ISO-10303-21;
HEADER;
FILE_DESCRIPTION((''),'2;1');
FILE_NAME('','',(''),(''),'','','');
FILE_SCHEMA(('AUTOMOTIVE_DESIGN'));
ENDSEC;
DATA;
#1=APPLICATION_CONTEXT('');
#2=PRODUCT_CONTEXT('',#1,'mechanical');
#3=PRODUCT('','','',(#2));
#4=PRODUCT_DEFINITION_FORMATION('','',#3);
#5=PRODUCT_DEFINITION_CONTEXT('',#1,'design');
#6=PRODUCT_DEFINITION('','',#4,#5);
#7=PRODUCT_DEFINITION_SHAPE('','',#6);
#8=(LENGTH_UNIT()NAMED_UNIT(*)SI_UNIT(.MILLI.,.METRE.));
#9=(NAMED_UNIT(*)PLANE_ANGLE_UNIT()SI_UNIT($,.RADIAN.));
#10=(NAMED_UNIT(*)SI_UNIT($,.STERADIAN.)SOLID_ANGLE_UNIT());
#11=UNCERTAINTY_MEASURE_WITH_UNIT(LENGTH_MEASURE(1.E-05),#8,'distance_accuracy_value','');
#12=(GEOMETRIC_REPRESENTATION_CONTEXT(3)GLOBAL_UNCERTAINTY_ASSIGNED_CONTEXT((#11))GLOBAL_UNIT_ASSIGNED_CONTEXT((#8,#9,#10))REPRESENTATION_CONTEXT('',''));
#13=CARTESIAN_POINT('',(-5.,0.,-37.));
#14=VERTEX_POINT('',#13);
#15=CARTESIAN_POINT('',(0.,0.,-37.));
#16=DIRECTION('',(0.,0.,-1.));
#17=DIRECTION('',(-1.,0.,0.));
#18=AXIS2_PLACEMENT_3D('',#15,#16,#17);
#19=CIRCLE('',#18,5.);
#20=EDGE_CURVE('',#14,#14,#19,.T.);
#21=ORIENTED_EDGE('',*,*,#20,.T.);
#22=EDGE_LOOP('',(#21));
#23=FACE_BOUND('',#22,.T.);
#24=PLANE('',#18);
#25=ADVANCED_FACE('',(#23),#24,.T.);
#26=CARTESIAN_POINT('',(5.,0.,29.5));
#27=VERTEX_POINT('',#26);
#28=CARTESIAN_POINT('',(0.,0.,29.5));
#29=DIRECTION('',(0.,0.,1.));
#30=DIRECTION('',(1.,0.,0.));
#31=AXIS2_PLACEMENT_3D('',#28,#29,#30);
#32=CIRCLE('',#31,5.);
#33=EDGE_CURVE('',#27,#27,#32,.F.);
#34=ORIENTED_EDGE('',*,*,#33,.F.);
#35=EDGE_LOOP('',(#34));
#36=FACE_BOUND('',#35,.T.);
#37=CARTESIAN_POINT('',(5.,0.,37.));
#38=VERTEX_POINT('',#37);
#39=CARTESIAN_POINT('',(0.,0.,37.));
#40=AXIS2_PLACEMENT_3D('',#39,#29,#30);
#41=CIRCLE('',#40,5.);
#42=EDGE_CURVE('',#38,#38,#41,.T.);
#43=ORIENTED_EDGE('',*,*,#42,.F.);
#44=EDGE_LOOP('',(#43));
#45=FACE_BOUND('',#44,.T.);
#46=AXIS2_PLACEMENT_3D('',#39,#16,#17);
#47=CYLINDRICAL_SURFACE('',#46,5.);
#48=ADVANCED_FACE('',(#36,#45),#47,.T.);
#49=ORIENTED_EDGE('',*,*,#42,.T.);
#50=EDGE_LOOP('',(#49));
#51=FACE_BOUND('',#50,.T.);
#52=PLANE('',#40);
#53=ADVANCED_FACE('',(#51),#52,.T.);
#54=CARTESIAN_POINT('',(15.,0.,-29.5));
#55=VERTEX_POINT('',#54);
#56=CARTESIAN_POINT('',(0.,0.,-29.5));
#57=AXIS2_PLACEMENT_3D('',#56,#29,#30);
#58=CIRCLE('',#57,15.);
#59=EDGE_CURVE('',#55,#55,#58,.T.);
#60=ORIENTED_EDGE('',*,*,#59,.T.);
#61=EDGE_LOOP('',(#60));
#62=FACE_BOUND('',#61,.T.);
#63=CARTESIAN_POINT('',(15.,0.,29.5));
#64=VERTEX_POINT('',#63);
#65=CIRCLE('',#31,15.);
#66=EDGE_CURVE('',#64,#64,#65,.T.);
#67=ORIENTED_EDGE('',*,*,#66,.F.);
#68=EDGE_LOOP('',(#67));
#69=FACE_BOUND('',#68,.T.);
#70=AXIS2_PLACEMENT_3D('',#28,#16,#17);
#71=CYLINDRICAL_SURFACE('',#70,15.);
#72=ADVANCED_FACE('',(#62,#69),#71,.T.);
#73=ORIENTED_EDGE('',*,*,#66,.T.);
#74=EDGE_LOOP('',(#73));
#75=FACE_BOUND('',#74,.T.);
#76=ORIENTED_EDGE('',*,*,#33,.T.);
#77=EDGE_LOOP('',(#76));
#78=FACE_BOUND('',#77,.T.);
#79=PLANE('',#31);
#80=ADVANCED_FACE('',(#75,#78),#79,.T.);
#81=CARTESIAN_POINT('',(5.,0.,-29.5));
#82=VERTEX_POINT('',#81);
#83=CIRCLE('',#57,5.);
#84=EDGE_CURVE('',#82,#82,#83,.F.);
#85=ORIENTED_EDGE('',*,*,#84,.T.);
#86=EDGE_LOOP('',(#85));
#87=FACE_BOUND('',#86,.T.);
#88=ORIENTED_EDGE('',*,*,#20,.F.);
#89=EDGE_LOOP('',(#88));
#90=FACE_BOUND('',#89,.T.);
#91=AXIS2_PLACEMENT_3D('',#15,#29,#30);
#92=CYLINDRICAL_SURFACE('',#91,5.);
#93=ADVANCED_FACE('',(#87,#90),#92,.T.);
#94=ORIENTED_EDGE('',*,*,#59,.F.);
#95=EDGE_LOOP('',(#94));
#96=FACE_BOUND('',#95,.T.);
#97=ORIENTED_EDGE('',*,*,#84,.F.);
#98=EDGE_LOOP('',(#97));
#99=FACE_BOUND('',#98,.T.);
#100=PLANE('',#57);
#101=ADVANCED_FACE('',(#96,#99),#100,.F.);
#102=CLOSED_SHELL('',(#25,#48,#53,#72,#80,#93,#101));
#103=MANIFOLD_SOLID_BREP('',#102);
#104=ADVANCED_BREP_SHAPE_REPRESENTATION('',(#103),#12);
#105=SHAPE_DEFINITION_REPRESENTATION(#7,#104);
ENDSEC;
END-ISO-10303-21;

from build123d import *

# Parameters (mm, degrees)
SKETCH1_R           = 15
BOSS_EXTRUDE1_DEPTH = 29.5
SKETCH2_R           = 5
BOSS_EXTRUDE2_DEPTH = 7.5
SKETCH3_R           = 5
BOSS_EXTRUDE3_DEPTH = 7.5


with BuildPart() as part:
    # Sketch1 → Boss-Extrude1 (new, symmetric)
    with BuildSketch(Plane.XY):
        Circle(SKETCH1_R)
    extrude(amount=BOSS_EXTRUDE1_DEPTH, both=True)

    # Sketch2 → Boss-Extrude2 (add, symmetric)
    with BuildSketch(Plane.XY.offset(29.5)):
        Circle(SKETCH2_R)
    extrude(amount=BOSS_EXTRUDE2_DEPTH, both=True)

    # Sketch3 → Boss-Extrude3 (add, symmetric)
    with BuildSketch(Plane(origin=(0, 0, -29.5), x_dir=(-1, 0, 0), z_dir=(0, 0, -1))):
        with Locations(Location((0, 0, 0), (0, 0, 180))):
            Circle(SKETCH3_R)
    extrude(amount=BOSS_EXTRUDE3_DEPTH, both=True)


solid = part.part
